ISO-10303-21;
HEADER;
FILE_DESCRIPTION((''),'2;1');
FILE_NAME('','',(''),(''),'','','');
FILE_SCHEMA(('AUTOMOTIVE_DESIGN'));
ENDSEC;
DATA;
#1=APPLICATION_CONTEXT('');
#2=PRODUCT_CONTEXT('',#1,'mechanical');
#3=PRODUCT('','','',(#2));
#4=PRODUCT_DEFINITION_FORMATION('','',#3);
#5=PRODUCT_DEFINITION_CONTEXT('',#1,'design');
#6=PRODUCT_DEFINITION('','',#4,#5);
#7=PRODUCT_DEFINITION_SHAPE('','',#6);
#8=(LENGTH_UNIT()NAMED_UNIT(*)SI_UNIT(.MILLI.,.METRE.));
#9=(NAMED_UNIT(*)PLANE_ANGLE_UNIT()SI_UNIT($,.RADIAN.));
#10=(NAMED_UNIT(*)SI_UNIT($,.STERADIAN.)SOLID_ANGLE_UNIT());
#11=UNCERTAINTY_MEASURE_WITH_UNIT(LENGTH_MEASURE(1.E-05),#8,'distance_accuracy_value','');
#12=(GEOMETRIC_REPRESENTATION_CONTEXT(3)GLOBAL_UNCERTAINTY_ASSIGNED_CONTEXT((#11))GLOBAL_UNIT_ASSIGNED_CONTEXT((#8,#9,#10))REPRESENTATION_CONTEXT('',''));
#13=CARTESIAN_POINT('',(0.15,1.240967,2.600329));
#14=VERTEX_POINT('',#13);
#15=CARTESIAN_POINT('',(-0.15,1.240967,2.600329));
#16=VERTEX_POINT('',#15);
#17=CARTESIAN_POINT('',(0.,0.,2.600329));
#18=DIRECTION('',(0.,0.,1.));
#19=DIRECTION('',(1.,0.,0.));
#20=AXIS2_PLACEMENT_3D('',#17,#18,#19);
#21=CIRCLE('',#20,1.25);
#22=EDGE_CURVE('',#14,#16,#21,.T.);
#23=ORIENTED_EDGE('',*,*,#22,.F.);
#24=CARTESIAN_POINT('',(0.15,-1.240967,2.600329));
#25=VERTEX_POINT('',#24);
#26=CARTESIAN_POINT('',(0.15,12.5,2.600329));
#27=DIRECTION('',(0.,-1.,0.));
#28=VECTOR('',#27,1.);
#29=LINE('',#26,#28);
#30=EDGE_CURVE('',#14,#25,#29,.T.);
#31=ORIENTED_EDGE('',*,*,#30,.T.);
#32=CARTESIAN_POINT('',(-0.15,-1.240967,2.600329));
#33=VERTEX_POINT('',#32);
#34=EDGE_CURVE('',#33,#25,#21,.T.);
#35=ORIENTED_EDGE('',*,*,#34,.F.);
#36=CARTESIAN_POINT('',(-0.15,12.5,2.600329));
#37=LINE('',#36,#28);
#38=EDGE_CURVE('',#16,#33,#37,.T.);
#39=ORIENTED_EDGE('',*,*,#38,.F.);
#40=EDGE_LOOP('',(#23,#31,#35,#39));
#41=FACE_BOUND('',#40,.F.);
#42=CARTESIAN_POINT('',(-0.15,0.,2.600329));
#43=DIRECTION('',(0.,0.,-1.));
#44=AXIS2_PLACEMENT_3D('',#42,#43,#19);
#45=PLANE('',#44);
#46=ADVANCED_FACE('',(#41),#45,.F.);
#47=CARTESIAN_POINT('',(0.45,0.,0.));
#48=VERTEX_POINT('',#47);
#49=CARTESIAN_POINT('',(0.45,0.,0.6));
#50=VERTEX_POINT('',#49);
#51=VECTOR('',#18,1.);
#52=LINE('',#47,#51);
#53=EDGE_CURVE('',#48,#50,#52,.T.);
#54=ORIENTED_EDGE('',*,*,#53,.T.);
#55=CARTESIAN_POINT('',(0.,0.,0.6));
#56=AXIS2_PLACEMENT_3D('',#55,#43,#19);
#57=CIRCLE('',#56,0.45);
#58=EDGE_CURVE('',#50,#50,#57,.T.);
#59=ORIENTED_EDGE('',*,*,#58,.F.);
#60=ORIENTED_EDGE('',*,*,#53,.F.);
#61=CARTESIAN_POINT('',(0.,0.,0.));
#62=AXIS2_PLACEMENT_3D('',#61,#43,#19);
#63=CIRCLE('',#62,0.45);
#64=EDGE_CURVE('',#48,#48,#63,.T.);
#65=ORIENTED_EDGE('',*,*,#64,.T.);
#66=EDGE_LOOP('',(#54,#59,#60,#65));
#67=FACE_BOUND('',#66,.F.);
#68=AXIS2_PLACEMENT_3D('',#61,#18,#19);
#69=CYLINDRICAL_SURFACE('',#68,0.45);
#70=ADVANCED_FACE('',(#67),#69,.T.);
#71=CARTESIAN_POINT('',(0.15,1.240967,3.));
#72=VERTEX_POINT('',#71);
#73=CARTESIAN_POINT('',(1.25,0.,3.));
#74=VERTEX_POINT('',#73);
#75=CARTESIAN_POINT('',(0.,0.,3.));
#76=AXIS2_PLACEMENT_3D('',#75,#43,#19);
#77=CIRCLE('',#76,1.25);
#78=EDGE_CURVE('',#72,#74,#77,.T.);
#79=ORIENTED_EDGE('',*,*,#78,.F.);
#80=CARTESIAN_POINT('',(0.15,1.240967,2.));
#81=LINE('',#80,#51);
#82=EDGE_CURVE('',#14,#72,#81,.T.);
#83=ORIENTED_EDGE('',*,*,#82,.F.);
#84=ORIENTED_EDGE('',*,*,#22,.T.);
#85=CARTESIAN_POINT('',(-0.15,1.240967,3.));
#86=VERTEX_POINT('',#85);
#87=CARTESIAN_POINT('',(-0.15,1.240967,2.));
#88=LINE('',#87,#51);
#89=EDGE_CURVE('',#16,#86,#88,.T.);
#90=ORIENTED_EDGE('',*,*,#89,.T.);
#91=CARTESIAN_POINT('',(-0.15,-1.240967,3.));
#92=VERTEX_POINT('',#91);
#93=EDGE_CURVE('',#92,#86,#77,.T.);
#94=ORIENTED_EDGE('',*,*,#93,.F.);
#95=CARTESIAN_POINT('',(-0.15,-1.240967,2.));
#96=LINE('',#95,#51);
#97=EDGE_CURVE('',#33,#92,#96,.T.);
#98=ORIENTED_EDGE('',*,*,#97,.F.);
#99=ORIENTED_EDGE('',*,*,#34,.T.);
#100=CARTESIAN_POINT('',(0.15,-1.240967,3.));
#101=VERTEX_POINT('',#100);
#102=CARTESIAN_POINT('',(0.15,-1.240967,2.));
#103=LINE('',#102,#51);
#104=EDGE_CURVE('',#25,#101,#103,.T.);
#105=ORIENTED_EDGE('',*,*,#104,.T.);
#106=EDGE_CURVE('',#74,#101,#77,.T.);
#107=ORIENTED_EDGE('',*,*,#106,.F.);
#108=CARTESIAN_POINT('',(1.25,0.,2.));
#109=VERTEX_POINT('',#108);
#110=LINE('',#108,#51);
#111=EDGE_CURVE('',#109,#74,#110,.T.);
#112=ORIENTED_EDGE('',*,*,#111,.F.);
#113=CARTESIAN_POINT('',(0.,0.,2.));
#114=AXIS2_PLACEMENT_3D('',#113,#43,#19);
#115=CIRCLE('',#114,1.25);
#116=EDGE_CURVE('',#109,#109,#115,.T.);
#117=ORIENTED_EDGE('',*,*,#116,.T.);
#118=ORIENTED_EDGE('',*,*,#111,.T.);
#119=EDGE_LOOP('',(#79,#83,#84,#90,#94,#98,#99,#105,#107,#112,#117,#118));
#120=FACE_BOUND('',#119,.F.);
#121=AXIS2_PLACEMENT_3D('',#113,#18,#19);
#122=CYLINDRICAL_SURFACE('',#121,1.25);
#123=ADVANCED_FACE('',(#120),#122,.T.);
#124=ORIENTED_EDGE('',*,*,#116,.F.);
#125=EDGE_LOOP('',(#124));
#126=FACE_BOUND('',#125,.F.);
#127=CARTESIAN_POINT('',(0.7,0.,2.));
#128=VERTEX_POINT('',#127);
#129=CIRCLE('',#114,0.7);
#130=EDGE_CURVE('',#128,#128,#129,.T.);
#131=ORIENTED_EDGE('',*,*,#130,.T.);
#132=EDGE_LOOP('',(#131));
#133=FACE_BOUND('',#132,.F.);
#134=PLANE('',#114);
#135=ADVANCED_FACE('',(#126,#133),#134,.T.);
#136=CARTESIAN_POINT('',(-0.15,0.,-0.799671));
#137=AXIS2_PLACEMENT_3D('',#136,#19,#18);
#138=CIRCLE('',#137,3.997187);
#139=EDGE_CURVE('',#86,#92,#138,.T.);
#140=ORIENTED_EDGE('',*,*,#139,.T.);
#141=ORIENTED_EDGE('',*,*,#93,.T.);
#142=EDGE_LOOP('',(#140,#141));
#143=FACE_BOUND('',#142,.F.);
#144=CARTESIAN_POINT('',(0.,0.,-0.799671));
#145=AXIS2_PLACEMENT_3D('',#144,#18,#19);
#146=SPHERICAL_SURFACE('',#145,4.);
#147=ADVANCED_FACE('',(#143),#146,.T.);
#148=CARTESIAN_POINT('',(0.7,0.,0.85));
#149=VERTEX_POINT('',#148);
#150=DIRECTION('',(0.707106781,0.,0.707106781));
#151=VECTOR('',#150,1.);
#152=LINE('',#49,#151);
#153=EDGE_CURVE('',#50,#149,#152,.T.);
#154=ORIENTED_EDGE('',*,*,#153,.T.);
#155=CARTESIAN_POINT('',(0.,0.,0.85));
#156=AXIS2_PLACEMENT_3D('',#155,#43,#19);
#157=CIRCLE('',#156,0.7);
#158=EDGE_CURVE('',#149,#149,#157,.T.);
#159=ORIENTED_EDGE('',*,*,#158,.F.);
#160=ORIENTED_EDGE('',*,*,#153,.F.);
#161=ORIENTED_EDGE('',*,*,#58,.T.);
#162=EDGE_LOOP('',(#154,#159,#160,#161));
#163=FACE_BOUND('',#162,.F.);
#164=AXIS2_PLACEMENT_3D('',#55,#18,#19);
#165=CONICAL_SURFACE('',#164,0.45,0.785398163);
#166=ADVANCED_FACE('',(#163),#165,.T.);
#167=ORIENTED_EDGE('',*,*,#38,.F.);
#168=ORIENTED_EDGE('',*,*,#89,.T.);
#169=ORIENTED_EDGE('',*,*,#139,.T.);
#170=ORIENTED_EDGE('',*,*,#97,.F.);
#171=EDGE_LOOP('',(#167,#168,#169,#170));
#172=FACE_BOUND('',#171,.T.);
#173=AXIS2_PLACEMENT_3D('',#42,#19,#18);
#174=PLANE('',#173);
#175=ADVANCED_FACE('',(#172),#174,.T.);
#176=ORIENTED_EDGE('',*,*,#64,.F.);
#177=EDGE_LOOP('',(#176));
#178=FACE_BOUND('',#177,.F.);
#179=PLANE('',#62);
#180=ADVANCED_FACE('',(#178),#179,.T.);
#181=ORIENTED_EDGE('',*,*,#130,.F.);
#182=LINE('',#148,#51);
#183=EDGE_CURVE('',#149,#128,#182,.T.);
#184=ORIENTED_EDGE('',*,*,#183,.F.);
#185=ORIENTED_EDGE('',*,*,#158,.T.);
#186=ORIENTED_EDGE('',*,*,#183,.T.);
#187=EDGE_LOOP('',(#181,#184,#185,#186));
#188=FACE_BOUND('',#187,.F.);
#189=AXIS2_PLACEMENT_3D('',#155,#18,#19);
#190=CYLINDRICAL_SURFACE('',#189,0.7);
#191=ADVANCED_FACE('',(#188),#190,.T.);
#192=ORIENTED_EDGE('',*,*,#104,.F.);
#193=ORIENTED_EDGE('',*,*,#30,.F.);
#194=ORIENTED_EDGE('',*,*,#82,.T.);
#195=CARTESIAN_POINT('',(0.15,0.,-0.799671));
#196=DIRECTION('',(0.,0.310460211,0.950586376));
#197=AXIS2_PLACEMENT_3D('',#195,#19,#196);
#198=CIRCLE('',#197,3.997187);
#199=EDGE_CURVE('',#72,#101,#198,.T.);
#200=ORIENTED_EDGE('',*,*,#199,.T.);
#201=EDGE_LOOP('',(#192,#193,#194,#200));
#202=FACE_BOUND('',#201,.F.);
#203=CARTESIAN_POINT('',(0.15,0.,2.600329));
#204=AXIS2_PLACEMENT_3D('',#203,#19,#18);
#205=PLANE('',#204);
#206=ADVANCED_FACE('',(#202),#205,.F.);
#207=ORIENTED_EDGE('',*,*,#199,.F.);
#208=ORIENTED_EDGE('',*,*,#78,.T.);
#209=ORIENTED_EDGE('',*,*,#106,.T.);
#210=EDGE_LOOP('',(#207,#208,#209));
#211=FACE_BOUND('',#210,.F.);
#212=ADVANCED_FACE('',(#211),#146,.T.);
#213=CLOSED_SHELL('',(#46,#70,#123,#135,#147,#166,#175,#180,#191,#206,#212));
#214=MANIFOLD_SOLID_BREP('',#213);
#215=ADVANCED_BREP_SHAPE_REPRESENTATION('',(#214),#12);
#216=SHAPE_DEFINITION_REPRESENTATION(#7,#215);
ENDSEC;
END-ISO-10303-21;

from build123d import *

# Parameters (mm, degrees)
F2_W     = 0.3
F2_H     = 0.65
F3_DEPTH = 12.5


with BuildPart() as f1:
    # F0 (on Front) → F1 (revolve)
    with BuildSketch(Plane.XZ):
        Polygon((0, 3), (0, 0), (0.45, 0), (0.45, 0.6), (0.7, 0.85), (0.7, 2), (1.25, 2), (1.25, 3), align=None)
        with BuildLine():
            Line((0, 3.2003289616), (0, 3))
            Line((0, 3), (1.25, 3))
            ThreePointArc((1.25, 3), (0.6329754523, 3.1499292043), (0, 3.2003289616))
        make_face()
    revolve(axis=Axis((0, 0, 1.5), (0, 0, -1)))

    # F2 (on Front) → F3 (cut, symmetric)
    with BuildSketch(Plane.XZ):
        with Locations((0, 2.9253289616)):
            Rectangle(F2_W, F2_H)
    extrude(amount=F3_DEPTH, both=True, mode=Mode.SUBTRACT)


solid = f1.part
